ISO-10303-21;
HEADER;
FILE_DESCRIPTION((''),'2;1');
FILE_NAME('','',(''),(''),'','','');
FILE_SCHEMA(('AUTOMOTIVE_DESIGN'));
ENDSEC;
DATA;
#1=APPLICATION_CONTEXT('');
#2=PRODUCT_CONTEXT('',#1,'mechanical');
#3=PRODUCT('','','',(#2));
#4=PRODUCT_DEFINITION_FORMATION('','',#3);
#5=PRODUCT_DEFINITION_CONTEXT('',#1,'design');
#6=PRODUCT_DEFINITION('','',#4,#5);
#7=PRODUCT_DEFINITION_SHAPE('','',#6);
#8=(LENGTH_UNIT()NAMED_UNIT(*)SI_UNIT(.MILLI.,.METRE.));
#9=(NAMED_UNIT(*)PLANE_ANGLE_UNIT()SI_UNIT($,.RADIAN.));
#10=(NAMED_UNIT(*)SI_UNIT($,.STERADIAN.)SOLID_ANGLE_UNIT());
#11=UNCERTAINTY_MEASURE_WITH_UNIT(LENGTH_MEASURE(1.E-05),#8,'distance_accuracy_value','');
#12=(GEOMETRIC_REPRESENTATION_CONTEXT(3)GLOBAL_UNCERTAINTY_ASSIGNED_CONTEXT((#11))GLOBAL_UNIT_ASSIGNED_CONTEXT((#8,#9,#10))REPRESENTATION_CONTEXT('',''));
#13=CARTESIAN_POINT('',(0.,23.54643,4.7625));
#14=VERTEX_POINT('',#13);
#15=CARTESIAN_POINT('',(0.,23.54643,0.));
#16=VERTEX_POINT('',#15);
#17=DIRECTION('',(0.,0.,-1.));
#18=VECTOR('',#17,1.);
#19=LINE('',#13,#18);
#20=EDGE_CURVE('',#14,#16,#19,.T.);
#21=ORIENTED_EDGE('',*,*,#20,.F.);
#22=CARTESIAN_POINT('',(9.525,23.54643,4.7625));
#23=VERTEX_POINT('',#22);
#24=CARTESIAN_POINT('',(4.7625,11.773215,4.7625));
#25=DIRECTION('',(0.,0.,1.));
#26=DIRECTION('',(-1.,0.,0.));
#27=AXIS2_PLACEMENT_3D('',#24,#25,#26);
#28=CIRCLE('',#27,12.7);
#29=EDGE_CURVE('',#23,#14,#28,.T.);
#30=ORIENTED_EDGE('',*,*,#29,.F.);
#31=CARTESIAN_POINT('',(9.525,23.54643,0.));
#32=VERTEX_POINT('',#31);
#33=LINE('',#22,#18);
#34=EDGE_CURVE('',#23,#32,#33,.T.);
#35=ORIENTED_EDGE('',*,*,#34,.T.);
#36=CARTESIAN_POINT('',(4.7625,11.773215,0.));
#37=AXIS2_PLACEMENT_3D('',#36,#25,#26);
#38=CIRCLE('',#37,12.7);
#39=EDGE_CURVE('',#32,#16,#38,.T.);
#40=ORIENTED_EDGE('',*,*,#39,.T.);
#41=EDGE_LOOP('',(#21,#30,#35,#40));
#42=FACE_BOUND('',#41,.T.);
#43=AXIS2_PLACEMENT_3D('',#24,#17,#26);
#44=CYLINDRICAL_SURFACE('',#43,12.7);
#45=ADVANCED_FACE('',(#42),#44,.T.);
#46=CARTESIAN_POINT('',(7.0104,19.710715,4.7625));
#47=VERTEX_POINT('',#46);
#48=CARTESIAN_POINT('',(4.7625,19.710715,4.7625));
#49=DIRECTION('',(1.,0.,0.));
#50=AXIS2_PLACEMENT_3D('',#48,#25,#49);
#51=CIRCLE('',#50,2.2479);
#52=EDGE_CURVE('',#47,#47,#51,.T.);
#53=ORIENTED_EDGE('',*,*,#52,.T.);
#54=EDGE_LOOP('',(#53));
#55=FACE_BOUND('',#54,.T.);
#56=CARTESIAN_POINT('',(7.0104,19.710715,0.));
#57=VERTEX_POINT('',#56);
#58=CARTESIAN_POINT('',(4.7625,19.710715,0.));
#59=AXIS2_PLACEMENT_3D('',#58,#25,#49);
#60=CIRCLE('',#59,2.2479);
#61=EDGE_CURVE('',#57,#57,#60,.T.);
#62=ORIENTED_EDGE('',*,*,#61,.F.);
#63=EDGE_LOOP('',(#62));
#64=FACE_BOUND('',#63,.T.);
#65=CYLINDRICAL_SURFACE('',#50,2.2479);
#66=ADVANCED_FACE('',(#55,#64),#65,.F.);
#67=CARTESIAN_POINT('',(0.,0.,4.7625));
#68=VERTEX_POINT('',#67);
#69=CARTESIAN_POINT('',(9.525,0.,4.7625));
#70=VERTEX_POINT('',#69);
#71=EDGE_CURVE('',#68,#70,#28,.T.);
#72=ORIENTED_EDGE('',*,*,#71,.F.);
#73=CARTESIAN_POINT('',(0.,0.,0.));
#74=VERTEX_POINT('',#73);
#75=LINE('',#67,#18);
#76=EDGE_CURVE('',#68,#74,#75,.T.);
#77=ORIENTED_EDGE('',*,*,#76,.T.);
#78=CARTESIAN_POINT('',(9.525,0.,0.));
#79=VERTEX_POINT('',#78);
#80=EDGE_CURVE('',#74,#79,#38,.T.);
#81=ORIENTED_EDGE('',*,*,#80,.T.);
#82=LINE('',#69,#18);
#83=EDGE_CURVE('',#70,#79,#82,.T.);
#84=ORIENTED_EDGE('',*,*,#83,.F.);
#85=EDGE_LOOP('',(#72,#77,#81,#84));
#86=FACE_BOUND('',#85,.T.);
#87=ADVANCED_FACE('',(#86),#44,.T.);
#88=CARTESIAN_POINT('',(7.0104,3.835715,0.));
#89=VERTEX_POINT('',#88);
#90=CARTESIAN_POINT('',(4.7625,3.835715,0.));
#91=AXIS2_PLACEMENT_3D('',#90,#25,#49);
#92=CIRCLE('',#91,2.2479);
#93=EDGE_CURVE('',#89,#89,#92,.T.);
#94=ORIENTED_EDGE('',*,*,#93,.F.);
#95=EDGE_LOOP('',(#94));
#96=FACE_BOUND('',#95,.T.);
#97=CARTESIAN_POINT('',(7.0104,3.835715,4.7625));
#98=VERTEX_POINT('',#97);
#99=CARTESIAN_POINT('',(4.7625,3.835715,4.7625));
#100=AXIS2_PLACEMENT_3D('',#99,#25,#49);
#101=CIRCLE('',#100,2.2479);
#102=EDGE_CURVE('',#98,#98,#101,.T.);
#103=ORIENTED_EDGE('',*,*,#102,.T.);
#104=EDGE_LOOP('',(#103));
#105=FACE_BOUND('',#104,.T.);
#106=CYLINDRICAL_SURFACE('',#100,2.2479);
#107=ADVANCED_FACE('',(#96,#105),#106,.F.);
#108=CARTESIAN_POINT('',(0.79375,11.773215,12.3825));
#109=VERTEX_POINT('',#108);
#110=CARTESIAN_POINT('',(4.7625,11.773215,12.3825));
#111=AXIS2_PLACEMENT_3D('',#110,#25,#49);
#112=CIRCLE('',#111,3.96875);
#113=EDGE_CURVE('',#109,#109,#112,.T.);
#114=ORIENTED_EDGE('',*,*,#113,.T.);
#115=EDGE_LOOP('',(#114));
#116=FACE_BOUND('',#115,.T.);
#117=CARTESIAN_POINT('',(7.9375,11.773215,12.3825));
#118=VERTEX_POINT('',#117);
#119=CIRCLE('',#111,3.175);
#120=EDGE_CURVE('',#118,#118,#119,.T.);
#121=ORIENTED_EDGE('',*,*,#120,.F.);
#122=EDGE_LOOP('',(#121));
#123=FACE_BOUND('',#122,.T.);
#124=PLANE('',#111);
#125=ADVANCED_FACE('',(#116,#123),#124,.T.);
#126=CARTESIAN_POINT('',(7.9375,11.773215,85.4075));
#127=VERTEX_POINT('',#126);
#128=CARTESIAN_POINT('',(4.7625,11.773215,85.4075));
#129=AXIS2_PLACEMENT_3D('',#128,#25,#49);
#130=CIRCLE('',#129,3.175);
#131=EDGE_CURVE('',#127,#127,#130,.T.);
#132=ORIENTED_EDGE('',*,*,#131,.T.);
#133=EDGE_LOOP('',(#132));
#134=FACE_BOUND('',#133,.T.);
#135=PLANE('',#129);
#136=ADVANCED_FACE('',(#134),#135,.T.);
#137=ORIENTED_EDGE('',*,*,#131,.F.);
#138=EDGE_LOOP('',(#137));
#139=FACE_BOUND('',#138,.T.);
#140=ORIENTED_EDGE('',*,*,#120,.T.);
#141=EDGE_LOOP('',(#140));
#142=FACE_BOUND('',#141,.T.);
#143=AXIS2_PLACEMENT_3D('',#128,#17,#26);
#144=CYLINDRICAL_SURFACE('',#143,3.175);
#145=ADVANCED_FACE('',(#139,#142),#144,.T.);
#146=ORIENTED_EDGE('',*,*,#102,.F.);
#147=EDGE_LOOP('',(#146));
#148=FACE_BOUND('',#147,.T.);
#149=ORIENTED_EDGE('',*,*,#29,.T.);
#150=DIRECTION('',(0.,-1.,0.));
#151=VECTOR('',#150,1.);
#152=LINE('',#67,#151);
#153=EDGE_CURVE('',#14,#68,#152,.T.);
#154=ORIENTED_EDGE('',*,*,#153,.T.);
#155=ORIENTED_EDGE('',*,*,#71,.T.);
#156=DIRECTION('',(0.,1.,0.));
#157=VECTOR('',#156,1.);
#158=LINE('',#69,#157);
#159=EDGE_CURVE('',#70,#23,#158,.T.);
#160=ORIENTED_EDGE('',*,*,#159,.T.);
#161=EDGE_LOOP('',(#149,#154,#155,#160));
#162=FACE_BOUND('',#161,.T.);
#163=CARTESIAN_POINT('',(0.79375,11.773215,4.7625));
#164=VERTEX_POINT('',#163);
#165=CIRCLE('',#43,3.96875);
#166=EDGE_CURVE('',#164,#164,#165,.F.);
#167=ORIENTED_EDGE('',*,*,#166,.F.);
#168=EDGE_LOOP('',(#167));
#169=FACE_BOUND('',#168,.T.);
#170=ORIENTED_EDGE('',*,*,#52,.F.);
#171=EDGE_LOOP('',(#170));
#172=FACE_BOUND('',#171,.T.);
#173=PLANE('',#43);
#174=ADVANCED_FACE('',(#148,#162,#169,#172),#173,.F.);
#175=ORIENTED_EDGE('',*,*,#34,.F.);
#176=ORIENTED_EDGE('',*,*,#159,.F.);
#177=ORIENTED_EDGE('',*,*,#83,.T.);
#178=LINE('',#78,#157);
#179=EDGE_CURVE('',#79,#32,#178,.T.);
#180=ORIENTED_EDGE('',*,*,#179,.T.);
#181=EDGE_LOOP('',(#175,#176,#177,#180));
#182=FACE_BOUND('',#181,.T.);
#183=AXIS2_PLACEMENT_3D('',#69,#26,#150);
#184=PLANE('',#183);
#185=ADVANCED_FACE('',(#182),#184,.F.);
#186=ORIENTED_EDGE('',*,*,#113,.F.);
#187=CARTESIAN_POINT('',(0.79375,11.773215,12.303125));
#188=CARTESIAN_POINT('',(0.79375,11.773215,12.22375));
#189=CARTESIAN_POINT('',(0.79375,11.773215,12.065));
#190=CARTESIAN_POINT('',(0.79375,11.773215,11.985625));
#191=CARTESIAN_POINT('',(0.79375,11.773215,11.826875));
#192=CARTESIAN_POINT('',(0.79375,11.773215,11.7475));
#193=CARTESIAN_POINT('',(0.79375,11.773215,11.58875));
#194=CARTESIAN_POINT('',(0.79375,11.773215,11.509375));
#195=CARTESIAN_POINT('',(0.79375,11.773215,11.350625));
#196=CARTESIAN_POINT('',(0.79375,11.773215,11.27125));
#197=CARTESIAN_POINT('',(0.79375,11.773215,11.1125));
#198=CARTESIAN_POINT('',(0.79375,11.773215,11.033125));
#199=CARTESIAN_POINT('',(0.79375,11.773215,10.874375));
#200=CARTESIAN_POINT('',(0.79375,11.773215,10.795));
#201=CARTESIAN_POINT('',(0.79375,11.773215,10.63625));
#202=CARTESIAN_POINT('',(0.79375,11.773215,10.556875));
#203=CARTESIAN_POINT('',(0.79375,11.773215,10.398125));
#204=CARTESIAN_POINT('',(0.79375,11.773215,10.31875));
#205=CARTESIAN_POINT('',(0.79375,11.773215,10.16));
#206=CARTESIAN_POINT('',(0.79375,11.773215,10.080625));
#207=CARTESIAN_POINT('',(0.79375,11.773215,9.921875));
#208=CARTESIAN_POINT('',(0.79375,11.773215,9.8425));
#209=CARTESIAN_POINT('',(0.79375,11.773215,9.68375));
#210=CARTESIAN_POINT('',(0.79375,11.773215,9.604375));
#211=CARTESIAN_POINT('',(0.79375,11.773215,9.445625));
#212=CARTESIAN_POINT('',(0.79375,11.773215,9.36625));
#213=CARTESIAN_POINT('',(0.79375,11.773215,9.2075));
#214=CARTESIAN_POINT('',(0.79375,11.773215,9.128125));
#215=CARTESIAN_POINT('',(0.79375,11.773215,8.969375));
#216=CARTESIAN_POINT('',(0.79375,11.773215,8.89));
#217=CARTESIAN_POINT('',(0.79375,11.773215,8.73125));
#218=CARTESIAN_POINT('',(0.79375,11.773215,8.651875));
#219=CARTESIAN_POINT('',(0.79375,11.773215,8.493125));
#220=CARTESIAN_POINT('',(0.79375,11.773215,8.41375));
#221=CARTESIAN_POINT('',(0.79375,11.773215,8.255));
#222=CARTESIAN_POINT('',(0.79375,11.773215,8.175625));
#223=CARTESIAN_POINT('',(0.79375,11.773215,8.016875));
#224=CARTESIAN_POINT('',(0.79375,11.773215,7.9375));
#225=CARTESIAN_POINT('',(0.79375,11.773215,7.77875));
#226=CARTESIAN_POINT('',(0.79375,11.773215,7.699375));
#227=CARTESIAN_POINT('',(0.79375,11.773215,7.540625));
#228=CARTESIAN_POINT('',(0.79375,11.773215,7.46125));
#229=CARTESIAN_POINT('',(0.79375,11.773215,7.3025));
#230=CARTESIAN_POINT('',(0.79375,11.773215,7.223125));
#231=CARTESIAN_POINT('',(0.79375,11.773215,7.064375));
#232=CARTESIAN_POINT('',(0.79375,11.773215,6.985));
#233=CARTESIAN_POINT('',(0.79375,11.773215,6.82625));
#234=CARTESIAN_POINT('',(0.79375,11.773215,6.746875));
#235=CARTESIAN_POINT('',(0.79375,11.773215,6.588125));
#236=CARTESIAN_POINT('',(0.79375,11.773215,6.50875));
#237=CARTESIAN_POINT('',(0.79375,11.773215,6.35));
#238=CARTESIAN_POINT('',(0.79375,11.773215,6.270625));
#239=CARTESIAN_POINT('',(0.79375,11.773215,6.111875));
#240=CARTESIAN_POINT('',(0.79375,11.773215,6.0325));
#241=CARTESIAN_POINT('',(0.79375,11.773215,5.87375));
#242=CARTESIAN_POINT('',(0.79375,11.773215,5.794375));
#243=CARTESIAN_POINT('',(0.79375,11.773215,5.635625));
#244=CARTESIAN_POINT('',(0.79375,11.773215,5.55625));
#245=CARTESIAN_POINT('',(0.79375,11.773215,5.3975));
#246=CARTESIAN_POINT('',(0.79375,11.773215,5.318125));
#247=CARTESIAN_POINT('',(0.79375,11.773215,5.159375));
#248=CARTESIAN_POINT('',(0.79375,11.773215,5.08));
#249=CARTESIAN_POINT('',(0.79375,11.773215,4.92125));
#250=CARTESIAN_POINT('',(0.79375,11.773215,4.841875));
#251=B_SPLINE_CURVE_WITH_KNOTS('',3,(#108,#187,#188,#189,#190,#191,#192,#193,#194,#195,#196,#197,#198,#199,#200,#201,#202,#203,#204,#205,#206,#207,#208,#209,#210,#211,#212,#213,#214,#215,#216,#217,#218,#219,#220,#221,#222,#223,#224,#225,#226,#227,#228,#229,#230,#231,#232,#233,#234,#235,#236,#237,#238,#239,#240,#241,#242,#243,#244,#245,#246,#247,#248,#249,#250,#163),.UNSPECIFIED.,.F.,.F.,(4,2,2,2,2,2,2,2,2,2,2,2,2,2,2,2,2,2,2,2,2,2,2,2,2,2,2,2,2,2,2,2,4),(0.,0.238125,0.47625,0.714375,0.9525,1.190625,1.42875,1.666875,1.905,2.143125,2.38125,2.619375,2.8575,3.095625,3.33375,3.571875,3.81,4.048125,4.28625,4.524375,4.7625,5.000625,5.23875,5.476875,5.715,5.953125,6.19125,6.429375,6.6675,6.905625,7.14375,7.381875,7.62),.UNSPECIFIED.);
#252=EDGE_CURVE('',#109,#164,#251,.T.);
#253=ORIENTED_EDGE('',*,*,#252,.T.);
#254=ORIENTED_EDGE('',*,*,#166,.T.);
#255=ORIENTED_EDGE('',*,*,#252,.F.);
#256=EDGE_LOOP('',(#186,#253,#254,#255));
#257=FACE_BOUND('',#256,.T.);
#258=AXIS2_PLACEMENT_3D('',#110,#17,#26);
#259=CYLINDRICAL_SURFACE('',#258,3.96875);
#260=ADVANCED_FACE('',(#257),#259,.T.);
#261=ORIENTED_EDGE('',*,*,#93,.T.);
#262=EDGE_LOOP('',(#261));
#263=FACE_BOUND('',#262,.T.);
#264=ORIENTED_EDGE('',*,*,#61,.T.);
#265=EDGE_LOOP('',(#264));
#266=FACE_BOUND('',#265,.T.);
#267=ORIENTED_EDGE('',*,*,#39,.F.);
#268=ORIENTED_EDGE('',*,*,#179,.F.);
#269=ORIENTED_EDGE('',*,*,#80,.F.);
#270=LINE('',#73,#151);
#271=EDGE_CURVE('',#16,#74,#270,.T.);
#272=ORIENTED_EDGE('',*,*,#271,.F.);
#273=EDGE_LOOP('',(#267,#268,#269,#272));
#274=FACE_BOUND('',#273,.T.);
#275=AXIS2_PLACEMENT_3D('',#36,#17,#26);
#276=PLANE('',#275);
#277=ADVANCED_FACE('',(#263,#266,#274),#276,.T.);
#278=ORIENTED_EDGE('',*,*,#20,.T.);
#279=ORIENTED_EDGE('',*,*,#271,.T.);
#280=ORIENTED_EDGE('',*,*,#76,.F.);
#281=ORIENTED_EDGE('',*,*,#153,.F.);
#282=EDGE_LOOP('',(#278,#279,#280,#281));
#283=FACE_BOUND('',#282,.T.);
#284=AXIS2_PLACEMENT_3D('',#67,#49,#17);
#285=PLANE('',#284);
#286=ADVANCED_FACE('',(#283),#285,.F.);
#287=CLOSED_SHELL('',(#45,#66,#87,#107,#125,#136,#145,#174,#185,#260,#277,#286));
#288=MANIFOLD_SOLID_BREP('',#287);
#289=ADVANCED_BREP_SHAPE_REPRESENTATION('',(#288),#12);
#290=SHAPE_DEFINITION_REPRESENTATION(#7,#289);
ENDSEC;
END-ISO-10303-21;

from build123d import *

# Parameters (mm, degrees)
BOSS_EXTRUDE1_DEPTH         = 4.7625
SKETCH2_R                   = 3.96875
BOSS_EXTRUDE2_DEPTH         = 7.62
SKETCH3_R                   = 3.175
BOSS_EXTRUDE3_DEPTH         = 73.025
F_16_0_177_DIAMETER_HOLE1_D = 4.4958


with BuildPart() as part:
    # Sketch1 → Boss-Extrude1 (new body)
    with BuildSketch(Plane.XY):
        with BuildLine():
            Line((0, 0), (0, 23.546430197))
            ThreePointArc((0, 23.546430197), (4.7625, 24.473215098), (9.525, 23.546430197))
            Line((9.525, 23.546430197), (9.525, 0))
            ThreePointArc((9.525, 0), (4.7625, -0.926784902), (0, 0))
        make_face()
    extrude(amount=BOSS_EXTRUDE1_DEPTH)

    # Sketch2 → Boss-Extrude2 (add)
    with BuildSketch(Plane.XY.offset(4.7625)):
        with Locations(Location((4.7625, 11.773215098, 0), (0, 0, 180))):
            Circle(SKETCH2_R)
    extrude(amount=BOSS_EXTRUDE2_DEPTH)

    # Sketch3 → Boss-Extrude3 (add)
    with BuildSketch(Plane.XY.offset(12.3825)):
        with Locations((4.7625, 11.773215098)):
            Circle(SKETCH3_R)
    extrude(amount=BOSS_EXTRUDE3_DEPTH)

    # #16 (0.177) Diameter Hole1 (through all)
    with Locations(Plane.XY.offset(4.7625)):
        with Locations((4.7625, 3.835715098), (4.7625, 19.710715098)):
            Hole(F_16_0_177_DIAMETER_HOLE1_D / 2)


solid = part.part
